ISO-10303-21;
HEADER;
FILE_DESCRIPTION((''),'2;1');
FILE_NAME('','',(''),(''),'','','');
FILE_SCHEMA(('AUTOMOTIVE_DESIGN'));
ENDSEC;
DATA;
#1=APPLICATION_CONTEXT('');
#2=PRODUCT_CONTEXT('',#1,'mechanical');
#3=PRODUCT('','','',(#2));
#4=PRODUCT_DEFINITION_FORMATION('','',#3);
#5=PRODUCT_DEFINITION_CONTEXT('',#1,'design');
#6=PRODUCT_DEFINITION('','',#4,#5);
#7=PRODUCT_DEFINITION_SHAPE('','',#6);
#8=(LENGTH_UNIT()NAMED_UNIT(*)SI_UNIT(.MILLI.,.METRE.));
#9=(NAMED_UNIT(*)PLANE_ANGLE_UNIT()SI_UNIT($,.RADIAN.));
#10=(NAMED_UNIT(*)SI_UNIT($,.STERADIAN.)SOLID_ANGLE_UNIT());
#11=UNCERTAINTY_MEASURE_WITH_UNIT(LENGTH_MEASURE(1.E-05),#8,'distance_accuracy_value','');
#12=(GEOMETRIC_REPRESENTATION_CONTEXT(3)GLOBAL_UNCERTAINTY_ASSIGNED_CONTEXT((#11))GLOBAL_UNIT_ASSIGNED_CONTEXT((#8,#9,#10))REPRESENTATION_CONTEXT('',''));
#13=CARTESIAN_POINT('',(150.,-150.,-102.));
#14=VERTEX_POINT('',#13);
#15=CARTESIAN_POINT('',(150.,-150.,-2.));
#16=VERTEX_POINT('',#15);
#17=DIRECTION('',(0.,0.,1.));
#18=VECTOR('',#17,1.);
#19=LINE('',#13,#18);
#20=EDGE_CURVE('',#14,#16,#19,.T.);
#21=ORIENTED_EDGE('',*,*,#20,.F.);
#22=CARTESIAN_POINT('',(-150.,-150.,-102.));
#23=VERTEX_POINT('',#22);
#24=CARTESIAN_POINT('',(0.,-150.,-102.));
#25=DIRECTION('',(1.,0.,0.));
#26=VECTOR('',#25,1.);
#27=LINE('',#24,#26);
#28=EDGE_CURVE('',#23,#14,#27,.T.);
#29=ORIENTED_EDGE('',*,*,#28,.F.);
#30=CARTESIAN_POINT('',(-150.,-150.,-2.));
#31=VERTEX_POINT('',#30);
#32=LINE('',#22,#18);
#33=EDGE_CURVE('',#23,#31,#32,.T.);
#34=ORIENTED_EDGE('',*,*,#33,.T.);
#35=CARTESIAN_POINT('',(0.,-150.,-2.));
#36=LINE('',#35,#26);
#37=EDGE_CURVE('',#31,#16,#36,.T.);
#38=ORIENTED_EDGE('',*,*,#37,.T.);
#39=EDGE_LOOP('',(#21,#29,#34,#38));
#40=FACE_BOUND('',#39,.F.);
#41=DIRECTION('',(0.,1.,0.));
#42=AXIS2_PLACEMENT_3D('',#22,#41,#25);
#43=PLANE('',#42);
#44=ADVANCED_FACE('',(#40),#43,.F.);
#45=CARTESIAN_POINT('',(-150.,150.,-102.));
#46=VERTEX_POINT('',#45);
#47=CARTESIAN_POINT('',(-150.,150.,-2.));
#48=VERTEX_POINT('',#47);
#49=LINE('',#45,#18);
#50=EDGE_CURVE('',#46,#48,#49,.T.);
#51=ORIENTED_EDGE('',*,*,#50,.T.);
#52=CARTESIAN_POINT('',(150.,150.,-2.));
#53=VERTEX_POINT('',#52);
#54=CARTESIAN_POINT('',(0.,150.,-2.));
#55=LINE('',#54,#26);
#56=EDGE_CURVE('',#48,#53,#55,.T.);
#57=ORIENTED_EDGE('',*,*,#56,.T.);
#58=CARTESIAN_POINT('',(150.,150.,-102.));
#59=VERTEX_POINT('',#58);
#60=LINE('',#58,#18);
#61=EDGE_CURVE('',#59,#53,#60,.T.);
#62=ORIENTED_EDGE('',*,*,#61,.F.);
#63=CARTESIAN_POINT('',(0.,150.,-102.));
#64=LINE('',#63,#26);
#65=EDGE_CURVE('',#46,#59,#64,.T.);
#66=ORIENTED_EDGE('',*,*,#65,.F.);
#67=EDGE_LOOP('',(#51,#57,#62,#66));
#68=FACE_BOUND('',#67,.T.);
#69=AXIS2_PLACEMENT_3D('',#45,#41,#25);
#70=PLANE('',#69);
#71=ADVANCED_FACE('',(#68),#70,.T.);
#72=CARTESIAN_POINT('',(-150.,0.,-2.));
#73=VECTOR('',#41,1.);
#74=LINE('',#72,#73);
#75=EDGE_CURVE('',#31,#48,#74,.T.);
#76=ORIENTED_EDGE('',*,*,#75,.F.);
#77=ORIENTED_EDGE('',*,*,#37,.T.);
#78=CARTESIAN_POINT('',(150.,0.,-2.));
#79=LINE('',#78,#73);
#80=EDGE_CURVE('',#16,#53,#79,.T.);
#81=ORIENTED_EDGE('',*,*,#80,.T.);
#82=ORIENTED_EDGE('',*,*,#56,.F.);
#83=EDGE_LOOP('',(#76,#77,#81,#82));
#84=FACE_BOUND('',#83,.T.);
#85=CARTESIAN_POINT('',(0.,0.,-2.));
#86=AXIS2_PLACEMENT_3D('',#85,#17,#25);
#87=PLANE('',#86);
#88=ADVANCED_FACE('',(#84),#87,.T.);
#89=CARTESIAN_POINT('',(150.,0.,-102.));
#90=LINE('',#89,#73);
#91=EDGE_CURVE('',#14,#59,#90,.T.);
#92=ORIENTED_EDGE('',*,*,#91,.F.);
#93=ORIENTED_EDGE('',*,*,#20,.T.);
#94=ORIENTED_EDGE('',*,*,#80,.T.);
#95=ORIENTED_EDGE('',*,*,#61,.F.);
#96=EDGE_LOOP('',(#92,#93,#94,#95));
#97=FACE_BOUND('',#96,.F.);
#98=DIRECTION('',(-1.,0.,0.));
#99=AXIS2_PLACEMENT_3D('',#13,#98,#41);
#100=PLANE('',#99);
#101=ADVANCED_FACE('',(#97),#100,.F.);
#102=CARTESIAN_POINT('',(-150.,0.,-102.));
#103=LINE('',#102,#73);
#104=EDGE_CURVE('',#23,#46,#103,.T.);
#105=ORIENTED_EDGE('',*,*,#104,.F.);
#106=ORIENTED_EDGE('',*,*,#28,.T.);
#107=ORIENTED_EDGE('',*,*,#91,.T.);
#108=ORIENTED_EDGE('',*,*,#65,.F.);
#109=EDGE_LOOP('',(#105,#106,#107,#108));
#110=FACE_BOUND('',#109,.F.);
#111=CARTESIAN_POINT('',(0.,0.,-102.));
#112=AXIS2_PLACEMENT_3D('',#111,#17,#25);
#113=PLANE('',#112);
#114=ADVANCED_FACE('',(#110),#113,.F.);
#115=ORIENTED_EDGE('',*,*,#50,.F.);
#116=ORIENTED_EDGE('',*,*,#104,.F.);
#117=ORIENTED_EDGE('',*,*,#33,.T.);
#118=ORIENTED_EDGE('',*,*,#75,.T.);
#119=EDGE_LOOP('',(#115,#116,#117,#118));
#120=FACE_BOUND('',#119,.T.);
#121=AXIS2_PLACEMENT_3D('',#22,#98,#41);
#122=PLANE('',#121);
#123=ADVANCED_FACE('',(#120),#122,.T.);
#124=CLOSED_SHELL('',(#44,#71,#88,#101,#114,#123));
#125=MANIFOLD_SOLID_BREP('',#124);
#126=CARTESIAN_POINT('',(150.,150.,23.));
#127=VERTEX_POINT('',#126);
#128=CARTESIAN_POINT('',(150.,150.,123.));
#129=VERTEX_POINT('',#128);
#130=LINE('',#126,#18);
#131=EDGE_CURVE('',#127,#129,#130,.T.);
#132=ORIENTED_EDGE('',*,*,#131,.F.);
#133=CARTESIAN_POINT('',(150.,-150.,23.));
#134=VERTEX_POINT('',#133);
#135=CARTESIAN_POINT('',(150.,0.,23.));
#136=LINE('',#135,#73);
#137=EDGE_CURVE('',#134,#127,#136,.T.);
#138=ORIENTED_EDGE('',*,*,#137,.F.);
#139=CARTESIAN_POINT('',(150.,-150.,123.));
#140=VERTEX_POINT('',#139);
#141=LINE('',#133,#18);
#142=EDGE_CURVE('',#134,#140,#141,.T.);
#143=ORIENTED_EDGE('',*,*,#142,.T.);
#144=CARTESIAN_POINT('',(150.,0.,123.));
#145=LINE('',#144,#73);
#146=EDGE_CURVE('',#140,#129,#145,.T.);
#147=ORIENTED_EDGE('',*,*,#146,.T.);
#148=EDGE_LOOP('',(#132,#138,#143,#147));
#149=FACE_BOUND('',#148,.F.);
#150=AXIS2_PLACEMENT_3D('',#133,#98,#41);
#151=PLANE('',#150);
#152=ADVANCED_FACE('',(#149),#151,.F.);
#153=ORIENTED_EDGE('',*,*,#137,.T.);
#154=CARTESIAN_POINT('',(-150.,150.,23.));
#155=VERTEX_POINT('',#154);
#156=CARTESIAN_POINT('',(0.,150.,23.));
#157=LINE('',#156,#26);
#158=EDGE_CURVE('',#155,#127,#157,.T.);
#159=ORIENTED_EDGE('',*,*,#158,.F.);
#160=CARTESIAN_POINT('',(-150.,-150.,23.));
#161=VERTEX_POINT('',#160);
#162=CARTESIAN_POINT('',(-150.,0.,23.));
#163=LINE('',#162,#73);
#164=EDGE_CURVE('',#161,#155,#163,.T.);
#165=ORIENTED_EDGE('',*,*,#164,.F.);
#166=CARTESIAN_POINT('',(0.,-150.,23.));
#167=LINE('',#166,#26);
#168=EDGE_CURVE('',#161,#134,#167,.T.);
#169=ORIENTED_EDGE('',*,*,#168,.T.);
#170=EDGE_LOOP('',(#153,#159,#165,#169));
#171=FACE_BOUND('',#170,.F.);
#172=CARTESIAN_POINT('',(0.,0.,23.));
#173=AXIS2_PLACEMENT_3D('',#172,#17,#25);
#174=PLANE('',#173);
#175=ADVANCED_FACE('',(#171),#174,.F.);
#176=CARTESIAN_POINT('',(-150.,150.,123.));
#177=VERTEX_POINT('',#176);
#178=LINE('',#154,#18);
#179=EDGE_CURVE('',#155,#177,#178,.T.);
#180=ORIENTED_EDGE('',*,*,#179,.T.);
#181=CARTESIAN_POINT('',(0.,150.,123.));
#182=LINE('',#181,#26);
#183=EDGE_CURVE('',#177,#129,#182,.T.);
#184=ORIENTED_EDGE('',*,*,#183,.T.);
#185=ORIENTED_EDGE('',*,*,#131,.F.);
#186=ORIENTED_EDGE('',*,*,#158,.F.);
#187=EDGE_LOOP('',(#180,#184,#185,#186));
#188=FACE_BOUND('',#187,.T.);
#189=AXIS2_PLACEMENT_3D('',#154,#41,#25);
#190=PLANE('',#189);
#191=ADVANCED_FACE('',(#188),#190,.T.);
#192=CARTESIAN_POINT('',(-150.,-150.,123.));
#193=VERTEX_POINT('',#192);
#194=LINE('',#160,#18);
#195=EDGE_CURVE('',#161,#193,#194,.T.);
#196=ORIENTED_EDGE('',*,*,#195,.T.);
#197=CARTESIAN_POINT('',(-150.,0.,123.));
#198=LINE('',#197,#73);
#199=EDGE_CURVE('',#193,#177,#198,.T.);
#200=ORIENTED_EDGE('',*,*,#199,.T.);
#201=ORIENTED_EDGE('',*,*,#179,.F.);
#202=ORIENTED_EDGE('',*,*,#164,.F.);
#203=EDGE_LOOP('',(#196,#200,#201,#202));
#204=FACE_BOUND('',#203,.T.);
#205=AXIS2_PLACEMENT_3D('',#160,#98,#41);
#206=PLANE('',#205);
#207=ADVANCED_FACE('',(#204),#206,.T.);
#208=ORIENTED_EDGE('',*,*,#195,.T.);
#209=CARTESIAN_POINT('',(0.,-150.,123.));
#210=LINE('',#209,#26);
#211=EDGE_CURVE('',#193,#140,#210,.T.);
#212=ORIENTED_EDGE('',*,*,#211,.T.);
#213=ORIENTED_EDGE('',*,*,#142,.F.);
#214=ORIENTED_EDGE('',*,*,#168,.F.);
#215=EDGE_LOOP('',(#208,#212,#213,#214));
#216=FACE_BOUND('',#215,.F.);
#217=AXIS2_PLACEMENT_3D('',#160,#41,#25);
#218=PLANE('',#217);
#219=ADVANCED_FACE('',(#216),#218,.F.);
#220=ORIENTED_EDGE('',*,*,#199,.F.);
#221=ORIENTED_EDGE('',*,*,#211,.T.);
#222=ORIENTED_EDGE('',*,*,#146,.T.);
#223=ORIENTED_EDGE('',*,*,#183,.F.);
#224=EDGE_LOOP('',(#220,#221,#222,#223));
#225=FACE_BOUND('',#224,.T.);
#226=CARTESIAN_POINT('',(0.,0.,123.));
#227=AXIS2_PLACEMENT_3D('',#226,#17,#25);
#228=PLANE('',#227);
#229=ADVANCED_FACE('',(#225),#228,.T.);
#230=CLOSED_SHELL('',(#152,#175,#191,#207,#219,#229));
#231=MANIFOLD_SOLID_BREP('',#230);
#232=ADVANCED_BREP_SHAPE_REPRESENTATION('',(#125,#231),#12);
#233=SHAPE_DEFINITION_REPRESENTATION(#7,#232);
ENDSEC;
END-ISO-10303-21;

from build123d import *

# Parameters (mm, degrees)
BOX001_W     = 300
BOX001_H     = 300
BOX001_DEPTH = 100
BOX_W        = 300
BOX_H        = 300
BOX_DEPTH    = 100


with BuildPart() as cube001:
    # Box001 → Box001 (new body)
    with BuildSketch(Plane(origin=(-150, -150, 23), x_dir=(1, 0, 0), z_dir=(0, 0, 1))):
        with Locations((150, 150)):
            Rectangle(BOX001_W, BOX001_H)
    extrude(amount=BOX001_DEPTH)


with BuildPart() as fusion001:
    # Box → Box (new body)
    with BuildSketch(Plane(origin=(-150, -150, -102), x_dir=(1, 0, 0), z_dir=(0, 0, 1))):
        with Locations((150, 150)):
            Rectangle(BOX_W, BOX_H)
    extrude(amount=BOX_DEPTH)

    # Fusion001: union Cube001
    add(cube001.part)


solid = fusion001.part
